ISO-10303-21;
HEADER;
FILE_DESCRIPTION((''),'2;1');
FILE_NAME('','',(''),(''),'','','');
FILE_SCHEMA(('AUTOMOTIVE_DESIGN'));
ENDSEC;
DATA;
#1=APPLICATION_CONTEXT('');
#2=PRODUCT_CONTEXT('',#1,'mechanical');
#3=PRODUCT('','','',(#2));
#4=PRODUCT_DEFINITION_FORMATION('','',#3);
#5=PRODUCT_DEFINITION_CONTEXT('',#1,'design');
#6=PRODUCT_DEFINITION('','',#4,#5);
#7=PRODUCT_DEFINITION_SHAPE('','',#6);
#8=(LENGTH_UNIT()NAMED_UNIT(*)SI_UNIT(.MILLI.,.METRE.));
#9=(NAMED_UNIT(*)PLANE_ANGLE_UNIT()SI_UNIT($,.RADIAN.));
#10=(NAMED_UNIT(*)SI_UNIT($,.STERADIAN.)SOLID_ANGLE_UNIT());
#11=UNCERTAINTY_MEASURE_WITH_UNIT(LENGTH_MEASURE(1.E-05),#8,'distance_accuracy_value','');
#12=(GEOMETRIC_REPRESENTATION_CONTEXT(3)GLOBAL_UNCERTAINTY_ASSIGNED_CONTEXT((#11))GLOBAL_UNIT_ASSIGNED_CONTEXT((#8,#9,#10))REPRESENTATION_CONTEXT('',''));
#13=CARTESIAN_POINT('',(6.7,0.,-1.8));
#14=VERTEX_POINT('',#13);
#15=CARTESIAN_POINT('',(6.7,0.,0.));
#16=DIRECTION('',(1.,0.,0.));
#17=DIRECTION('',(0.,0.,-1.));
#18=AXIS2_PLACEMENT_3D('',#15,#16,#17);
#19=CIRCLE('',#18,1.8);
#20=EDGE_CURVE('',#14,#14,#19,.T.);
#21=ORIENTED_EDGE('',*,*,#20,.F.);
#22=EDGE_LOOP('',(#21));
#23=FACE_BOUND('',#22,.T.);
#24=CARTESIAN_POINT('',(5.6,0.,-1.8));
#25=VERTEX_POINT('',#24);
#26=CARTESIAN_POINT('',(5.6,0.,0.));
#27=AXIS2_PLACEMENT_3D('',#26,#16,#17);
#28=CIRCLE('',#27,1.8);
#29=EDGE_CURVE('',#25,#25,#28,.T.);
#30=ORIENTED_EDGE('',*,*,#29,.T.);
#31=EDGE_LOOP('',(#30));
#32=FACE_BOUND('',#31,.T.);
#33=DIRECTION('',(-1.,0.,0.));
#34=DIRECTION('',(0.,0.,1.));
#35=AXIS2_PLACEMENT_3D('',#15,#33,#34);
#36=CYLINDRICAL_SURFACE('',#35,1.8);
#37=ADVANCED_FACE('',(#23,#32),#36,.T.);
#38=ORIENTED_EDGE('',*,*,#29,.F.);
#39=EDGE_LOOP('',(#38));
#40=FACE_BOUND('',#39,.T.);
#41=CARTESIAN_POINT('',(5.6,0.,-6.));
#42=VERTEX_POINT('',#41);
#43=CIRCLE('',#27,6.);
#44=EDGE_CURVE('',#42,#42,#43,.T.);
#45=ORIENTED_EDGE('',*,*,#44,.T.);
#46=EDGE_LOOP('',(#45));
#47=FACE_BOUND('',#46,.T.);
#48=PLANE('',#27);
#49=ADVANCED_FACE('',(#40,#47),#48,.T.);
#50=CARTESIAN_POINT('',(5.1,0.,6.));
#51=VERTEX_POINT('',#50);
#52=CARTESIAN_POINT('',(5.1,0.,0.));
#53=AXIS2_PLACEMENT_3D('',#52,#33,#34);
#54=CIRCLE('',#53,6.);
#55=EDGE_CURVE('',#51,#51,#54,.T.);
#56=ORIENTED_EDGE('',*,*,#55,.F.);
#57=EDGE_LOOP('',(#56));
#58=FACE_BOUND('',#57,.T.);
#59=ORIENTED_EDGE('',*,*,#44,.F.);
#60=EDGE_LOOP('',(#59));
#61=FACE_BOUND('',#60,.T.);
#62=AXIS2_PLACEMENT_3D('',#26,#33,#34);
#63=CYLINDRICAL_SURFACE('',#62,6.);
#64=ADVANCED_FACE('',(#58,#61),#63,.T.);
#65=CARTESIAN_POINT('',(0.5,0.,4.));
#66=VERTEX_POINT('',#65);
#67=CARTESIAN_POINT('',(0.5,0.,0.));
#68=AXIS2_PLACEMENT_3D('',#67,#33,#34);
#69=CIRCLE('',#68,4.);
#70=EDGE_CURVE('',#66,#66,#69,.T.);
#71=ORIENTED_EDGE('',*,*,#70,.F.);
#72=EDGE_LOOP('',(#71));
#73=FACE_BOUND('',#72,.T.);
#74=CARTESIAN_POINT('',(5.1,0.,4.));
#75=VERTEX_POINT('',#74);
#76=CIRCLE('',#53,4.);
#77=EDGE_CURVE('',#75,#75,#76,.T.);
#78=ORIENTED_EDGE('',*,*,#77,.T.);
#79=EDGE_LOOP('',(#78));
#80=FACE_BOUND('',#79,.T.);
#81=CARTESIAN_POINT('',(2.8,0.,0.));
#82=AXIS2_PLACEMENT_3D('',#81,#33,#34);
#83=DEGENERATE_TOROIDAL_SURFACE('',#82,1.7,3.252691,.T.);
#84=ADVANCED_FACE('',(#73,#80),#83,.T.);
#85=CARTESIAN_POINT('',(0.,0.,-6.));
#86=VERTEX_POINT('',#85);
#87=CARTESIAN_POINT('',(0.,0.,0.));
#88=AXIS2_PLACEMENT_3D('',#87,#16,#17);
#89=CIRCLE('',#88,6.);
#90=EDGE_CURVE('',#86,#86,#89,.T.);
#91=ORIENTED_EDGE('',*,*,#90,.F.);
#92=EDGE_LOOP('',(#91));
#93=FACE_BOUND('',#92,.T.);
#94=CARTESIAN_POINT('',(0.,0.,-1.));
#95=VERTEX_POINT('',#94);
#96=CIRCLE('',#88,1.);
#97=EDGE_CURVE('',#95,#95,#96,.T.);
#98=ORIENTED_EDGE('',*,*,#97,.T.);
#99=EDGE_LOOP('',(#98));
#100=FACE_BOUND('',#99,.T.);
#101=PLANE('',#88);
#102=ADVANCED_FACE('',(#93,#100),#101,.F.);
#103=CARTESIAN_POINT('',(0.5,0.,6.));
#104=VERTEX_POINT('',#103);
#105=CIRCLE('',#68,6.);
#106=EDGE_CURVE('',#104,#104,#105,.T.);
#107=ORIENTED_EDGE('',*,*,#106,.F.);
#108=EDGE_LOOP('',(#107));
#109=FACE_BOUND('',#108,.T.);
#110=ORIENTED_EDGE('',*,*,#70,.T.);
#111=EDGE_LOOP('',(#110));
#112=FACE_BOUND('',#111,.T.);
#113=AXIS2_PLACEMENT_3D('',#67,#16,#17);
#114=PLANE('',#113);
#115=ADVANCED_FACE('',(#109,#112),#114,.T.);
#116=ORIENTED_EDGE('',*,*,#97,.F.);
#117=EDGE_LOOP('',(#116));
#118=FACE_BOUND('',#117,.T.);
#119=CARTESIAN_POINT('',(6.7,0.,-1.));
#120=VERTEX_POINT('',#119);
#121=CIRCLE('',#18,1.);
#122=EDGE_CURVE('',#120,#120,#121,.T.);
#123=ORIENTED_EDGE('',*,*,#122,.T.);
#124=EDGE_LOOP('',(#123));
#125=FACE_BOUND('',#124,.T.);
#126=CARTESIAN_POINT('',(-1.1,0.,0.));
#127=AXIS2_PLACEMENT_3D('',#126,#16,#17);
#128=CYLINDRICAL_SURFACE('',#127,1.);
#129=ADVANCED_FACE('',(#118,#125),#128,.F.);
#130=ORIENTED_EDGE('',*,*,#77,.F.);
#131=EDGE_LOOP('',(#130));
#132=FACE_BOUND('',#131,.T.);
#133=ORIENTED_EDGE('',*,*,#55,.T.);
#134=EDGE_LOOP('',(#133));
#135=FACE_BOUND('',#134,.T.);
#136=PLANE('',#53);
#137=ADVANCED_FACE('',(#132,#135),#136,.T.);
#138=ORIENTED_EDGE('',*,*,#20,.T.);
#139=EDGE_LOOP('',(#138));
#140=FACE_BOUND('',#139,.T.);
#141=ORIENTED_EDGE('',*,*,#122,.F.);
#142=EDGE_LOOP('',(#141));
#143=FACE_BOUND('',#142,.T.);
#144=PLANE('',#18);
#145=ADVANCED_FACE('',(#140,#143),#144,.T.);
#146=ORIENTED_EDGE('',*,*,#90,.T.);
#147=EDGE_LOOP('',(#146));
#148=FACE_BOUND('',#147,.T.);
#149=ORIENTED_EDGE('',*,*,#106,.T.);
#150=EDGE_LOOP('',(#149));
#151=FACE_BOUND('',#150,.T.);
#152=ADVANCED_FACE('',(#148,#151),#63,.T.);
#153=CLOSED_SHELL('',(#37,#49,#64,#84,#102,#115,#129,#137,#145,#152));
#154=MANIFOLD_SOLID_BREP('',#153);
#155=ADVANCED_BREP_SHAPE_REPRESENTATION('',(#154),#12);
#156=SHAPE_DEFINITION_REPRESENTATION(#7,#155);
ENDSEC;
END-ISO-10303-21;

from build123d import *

# Parameters (mm, degrees)
SKETCH1_R           = 6
BOSS_EXTRUDE1_DEPTH = 5.6
SKETCH2_R           = 1
CUT_EXTRUDE1_DEPTH  = 6.7
BOSS_EXTRUDE2_START = 1.1
SKETCH3_R           = 1.8
SKETCH3_R_2         = 1
BOSS_EXTRUDE2_DEPTH = 1.1


with BuildPart() as part:
    # Sketch1 → Boss-Extrude1 (new body)
    with BuildSketch(Plane(origin=(0, 0, 0), x_dir=(0, 0, -1), z_dir=(1, 0, 0))):
        Circle(SKETCH1_R)
    extrude(amount=BOSS_EXTRUDE1_DEPTH)

    # Sketch2 → Cut-Extrude1 (cut)
    with BuildSketch(Plane(origin=(5.6, 0, 0), x_dir=(0, 0, -1), z_dir=(1, 0, 0))):
        Circle(SKETCH2_R)
    extrude(amount=-CUT_EXTRUDE1_DEPTH, mode=Mode.SUBTRACT)

    # Sketch3 → Boss-Extrude2 (add)
    with BuildSketch(Plane(origin=(5.6, 0, 0), x_dir=(0, 0, -1), z_dir=(1, 0, 0)).offset(BOSS_EXTRUDE2_START)):
        Circle(SKETCH3_R)
        Circle(SKETCH3_R_2, mode=Mode.SUBTRACT)
    extrude(amount=-BOSS_EXTRUDE2_DEPTH)

    # Sketch4 → Cut-Revolve1 (revolve, cut)
    with BuildSketch(Plane.XY, mode=Mode.PRIVATE) as cut_revolve1_sk:
        with BuildLine():
            Line((0.5, 6), (0.5, 4))
            ThreePointArc((0.5, 4), (2.8, 4.952691193), (5.1, 4))
            Line((5.1, 4), (5.1, 6))
            Line((5.1, 6), (0.5, 6))
        make_face()
    revolve(cut_revolve1_sk.sketch.rotate(Axis((0, 0, 0), (1, 0, 0)), 90), axis=Axis((0, 0, 0), (1, 0, 0)), mode=Mode.SUBTRACT)


solid = part.part
